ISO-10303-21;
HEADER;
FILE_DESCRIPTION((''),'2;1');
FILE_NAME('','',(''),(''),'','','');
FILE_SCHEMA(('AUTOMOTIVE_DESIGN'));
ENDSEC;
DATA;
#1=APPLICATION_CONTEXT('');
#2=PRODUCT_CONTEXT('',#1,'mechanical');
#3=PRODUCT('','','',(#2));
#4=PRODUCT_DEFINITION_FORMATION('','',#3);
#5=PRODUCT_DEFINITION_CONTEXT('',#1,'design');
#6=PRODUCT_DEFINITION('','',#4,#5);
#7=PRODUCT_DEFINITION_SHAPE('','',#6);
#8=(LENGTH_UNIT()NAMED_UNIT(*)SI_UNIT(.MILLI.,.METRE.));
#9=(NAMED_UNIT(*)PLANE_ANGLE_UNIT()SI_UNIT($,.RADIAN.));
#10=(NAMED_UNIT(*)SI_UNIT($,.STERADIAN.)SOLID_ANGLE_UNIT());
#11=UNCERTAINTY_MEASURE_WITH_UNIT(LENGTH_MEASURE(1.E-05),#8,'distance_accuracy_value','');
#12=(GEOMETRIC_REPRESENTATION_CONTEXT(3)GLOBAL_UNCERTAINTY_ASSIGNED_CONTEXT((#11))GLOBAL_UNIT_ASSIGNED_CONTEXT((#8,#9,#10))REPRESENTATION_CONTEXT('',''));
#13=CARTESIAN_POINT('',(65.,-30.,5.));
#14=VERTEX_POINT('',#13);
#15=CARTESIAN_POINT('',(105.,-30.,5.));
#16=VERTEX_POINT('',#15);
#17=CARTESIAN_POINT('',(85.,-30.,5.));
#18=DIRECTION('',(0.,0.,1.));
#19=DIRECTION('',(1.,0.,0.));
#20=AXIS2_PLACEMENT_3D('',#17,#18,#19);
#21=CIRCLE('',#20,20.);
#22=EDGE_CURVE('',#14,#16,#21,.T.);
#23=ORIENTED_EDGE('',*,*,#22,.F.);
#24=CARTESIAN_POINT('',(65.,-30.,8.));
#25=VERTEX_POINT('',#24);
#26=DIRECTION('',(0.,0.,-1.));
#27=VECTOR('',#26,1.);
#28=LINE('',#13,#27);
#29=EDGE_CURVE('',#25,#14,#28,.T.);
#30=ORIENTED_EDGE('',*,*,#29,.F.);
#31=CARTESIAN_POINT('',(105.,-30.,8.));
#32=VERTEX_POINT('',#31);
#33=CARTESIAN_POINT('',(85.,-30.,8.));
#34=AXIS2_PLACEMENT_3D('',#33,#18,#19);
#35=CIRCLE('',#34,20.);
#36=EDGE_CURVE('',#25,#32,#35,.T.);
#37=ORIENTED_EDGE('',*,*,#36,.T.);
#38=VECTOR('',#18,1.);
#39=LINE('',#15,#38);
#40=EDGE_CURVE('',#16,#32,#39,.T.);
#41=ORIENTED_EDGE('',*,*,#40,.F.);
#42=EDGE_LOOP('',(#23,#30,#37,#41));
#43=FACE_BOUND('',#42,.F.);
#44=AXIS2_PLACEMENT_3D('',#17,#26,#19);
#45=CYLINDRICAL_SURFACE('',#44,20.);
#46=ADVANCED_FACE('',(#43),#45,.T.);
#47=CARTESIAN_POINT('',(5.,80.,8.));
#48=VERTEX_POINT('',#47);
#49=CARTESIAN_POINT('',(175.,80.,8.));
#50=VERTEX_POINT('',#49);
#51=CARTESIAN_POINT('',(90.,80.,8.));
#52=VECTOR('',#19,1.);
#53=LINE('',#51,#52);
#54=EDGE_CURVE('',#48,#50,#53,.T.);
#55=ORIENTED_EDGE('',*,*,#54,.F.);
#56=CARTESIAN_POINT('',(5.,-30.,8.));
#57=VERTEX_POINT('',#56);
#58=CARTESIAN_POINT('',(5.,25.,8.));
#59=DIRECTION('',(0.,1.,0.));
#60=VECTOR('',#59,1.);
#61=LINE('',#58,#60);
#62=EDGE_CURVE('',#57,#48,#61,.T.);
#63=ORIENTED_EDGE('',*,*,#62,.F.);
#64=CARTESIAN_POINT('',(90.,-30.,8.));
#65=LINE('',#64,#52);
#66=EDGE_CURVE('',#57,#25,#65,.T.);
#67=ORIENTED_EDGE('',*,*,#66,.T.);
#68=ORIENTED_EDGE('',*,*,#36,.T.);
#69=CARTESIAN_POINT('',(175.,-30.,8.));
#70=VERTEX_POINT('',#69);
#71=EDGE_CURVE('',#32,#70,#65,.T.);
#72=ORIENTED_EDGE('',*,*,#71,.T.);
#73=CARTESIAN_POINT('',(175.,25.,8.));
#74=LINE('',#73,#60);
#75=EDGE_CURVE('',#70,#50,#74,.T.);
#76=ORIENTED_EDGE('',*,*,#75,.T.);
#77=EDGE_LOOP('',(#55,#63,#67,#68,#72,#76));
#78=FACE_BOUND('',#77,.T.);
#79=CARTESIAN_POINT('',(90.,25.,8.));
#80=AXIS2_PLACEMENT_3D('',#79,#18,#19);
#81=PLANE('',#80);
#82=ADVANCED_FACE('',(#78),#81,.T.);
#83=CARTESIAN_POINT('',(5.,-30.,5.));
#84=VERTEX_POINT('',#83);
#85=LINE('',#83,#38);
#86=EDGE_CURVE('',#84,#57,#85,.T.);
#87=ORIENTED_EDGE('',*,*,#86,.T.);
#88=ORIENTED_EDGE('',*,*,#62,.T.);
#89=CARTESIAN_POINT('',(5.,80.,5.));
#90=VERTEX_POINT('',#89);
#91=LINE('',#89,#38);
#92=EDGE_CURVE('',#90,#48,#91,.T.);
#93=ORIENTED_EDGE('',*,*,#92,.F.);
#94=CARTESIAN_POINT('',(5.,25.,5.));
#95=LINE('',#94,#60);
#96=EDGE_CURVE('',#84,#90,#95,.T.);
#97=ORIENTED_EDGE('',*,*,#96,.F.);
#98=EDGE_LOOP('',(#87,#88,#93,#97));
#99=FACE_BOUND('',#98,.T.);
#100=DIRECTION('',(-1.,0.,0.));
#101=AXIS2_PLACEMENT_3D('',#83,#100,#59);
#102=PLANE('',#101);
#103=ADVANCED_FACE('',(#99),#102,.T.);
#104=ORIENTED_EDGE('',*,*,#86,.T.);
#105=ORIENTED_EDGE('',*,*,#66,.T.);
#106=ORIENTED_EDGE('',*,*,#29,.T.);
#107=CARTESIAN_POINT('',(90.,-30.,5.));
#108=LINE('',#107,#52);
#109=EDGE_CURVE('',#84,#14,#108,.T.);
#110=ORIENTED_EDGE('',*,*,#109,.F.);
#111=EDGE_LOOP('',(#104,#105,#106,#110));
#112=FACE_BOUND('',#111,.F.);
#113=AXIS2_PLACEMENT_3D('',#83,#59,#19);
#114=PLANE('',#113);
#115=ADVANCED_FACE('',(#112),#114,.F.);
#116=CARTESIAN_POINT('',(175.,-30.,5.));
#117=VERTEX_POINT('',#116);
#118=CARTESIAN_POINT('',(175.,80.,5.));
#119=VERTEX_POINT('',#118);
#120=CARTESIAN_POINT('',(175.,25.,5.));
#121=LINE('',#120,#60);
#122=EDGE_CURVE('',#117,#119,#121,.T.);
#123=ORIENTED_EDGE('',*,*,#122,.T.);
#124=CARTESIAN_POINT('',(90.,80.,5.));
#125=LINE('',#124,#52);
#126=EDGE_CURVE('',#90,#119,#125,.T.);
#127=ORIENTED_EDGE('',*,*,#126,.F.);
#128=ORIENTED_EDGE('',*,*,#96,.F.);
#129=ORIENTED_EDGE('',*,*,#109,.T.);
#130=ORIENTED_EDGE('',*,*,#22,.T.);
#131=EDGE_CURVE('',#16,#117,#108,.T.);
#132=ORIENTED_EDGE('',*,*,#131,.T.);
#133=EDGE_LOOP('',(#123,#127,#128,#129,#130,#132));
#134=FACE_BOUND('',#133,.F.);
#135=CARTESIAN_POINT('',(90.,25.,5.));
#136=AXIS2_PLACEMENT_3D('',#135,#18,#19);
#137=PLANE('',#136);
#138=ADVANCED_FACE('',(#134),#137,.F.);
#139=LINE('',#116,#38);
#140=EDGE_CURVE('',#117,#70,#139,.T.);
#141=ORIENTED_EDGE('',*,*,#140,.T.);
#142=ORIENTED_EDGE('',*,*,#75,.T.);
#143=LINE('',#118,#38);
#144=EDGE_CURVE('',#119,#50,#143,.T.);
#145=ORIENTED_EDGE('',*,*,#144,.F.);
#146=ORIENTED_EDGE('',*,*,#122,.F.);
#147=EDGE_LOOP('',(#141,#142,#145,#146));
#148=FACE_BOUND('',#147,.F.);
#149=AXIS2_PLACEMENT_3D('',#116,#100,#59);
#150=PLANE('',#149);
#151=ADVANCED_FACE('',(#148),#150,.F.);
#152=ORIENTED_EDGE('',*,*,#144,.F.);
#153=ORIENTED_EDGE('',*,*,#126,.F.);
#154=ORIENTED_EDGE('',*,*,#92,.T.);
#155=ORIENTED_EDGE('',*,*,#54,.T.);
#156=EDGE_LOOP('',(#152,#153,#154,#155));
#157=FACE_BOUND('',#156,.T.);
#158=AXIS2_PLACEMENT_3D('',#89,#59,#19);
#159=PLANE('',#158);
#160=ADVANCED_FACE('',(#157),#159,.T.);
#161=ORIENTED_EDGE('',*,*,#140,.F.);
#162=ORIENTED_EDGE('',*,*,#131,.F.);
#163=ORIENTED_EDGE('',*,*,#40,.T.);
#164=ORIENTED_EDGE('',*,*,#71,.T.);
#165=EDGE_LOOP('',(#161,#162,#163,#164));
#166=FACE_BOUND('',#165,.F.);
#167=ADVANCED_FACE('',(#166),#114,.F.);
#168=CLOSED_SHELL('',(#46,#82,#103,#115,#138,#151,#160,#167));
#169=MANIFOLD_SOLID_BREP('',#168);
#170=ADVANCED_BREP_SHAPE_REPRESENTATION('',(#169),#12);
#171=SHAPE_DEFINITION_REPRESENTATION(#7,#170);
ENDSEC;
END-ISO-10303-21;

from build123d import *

# Parameters (mm, degrees)
CYLINDER_R     = 20
CYLINDER_DEPTH = 3
BOX002_W       = 170
BOX002_H       = 110
BOX002_DEPTH   = 3


with BuildPart() as cilindro:
    # Cylinder → Cylinder (new body)
    with BuildSketch(Plane(origin=(80, 0, 0), x_dir=(1, 0, 0), z_dir=(0, 0, 1))):
        Circle(CYLINDER_R)
    extrude(amount=CYLINDER_DEPTH)


with BuildPart() as metacrilato1:
    # Box002 → Box002 (new body)
    with BuildSketch(Plane.XY):
        with Locations((85, 55)):
            Rectangle(BOX002_W, BOX002_H)
    extrude(amount=BOX002_DEPTH)

    # Fusion: union Cilindro
    add(cilindro.part)


with BuildPart() as metacrilato1_1:
    # Fusion placement: moved
    add(metacrilato1.part.moved(Location((5, -30, 5))))


solid = metacrilato1_1.part
